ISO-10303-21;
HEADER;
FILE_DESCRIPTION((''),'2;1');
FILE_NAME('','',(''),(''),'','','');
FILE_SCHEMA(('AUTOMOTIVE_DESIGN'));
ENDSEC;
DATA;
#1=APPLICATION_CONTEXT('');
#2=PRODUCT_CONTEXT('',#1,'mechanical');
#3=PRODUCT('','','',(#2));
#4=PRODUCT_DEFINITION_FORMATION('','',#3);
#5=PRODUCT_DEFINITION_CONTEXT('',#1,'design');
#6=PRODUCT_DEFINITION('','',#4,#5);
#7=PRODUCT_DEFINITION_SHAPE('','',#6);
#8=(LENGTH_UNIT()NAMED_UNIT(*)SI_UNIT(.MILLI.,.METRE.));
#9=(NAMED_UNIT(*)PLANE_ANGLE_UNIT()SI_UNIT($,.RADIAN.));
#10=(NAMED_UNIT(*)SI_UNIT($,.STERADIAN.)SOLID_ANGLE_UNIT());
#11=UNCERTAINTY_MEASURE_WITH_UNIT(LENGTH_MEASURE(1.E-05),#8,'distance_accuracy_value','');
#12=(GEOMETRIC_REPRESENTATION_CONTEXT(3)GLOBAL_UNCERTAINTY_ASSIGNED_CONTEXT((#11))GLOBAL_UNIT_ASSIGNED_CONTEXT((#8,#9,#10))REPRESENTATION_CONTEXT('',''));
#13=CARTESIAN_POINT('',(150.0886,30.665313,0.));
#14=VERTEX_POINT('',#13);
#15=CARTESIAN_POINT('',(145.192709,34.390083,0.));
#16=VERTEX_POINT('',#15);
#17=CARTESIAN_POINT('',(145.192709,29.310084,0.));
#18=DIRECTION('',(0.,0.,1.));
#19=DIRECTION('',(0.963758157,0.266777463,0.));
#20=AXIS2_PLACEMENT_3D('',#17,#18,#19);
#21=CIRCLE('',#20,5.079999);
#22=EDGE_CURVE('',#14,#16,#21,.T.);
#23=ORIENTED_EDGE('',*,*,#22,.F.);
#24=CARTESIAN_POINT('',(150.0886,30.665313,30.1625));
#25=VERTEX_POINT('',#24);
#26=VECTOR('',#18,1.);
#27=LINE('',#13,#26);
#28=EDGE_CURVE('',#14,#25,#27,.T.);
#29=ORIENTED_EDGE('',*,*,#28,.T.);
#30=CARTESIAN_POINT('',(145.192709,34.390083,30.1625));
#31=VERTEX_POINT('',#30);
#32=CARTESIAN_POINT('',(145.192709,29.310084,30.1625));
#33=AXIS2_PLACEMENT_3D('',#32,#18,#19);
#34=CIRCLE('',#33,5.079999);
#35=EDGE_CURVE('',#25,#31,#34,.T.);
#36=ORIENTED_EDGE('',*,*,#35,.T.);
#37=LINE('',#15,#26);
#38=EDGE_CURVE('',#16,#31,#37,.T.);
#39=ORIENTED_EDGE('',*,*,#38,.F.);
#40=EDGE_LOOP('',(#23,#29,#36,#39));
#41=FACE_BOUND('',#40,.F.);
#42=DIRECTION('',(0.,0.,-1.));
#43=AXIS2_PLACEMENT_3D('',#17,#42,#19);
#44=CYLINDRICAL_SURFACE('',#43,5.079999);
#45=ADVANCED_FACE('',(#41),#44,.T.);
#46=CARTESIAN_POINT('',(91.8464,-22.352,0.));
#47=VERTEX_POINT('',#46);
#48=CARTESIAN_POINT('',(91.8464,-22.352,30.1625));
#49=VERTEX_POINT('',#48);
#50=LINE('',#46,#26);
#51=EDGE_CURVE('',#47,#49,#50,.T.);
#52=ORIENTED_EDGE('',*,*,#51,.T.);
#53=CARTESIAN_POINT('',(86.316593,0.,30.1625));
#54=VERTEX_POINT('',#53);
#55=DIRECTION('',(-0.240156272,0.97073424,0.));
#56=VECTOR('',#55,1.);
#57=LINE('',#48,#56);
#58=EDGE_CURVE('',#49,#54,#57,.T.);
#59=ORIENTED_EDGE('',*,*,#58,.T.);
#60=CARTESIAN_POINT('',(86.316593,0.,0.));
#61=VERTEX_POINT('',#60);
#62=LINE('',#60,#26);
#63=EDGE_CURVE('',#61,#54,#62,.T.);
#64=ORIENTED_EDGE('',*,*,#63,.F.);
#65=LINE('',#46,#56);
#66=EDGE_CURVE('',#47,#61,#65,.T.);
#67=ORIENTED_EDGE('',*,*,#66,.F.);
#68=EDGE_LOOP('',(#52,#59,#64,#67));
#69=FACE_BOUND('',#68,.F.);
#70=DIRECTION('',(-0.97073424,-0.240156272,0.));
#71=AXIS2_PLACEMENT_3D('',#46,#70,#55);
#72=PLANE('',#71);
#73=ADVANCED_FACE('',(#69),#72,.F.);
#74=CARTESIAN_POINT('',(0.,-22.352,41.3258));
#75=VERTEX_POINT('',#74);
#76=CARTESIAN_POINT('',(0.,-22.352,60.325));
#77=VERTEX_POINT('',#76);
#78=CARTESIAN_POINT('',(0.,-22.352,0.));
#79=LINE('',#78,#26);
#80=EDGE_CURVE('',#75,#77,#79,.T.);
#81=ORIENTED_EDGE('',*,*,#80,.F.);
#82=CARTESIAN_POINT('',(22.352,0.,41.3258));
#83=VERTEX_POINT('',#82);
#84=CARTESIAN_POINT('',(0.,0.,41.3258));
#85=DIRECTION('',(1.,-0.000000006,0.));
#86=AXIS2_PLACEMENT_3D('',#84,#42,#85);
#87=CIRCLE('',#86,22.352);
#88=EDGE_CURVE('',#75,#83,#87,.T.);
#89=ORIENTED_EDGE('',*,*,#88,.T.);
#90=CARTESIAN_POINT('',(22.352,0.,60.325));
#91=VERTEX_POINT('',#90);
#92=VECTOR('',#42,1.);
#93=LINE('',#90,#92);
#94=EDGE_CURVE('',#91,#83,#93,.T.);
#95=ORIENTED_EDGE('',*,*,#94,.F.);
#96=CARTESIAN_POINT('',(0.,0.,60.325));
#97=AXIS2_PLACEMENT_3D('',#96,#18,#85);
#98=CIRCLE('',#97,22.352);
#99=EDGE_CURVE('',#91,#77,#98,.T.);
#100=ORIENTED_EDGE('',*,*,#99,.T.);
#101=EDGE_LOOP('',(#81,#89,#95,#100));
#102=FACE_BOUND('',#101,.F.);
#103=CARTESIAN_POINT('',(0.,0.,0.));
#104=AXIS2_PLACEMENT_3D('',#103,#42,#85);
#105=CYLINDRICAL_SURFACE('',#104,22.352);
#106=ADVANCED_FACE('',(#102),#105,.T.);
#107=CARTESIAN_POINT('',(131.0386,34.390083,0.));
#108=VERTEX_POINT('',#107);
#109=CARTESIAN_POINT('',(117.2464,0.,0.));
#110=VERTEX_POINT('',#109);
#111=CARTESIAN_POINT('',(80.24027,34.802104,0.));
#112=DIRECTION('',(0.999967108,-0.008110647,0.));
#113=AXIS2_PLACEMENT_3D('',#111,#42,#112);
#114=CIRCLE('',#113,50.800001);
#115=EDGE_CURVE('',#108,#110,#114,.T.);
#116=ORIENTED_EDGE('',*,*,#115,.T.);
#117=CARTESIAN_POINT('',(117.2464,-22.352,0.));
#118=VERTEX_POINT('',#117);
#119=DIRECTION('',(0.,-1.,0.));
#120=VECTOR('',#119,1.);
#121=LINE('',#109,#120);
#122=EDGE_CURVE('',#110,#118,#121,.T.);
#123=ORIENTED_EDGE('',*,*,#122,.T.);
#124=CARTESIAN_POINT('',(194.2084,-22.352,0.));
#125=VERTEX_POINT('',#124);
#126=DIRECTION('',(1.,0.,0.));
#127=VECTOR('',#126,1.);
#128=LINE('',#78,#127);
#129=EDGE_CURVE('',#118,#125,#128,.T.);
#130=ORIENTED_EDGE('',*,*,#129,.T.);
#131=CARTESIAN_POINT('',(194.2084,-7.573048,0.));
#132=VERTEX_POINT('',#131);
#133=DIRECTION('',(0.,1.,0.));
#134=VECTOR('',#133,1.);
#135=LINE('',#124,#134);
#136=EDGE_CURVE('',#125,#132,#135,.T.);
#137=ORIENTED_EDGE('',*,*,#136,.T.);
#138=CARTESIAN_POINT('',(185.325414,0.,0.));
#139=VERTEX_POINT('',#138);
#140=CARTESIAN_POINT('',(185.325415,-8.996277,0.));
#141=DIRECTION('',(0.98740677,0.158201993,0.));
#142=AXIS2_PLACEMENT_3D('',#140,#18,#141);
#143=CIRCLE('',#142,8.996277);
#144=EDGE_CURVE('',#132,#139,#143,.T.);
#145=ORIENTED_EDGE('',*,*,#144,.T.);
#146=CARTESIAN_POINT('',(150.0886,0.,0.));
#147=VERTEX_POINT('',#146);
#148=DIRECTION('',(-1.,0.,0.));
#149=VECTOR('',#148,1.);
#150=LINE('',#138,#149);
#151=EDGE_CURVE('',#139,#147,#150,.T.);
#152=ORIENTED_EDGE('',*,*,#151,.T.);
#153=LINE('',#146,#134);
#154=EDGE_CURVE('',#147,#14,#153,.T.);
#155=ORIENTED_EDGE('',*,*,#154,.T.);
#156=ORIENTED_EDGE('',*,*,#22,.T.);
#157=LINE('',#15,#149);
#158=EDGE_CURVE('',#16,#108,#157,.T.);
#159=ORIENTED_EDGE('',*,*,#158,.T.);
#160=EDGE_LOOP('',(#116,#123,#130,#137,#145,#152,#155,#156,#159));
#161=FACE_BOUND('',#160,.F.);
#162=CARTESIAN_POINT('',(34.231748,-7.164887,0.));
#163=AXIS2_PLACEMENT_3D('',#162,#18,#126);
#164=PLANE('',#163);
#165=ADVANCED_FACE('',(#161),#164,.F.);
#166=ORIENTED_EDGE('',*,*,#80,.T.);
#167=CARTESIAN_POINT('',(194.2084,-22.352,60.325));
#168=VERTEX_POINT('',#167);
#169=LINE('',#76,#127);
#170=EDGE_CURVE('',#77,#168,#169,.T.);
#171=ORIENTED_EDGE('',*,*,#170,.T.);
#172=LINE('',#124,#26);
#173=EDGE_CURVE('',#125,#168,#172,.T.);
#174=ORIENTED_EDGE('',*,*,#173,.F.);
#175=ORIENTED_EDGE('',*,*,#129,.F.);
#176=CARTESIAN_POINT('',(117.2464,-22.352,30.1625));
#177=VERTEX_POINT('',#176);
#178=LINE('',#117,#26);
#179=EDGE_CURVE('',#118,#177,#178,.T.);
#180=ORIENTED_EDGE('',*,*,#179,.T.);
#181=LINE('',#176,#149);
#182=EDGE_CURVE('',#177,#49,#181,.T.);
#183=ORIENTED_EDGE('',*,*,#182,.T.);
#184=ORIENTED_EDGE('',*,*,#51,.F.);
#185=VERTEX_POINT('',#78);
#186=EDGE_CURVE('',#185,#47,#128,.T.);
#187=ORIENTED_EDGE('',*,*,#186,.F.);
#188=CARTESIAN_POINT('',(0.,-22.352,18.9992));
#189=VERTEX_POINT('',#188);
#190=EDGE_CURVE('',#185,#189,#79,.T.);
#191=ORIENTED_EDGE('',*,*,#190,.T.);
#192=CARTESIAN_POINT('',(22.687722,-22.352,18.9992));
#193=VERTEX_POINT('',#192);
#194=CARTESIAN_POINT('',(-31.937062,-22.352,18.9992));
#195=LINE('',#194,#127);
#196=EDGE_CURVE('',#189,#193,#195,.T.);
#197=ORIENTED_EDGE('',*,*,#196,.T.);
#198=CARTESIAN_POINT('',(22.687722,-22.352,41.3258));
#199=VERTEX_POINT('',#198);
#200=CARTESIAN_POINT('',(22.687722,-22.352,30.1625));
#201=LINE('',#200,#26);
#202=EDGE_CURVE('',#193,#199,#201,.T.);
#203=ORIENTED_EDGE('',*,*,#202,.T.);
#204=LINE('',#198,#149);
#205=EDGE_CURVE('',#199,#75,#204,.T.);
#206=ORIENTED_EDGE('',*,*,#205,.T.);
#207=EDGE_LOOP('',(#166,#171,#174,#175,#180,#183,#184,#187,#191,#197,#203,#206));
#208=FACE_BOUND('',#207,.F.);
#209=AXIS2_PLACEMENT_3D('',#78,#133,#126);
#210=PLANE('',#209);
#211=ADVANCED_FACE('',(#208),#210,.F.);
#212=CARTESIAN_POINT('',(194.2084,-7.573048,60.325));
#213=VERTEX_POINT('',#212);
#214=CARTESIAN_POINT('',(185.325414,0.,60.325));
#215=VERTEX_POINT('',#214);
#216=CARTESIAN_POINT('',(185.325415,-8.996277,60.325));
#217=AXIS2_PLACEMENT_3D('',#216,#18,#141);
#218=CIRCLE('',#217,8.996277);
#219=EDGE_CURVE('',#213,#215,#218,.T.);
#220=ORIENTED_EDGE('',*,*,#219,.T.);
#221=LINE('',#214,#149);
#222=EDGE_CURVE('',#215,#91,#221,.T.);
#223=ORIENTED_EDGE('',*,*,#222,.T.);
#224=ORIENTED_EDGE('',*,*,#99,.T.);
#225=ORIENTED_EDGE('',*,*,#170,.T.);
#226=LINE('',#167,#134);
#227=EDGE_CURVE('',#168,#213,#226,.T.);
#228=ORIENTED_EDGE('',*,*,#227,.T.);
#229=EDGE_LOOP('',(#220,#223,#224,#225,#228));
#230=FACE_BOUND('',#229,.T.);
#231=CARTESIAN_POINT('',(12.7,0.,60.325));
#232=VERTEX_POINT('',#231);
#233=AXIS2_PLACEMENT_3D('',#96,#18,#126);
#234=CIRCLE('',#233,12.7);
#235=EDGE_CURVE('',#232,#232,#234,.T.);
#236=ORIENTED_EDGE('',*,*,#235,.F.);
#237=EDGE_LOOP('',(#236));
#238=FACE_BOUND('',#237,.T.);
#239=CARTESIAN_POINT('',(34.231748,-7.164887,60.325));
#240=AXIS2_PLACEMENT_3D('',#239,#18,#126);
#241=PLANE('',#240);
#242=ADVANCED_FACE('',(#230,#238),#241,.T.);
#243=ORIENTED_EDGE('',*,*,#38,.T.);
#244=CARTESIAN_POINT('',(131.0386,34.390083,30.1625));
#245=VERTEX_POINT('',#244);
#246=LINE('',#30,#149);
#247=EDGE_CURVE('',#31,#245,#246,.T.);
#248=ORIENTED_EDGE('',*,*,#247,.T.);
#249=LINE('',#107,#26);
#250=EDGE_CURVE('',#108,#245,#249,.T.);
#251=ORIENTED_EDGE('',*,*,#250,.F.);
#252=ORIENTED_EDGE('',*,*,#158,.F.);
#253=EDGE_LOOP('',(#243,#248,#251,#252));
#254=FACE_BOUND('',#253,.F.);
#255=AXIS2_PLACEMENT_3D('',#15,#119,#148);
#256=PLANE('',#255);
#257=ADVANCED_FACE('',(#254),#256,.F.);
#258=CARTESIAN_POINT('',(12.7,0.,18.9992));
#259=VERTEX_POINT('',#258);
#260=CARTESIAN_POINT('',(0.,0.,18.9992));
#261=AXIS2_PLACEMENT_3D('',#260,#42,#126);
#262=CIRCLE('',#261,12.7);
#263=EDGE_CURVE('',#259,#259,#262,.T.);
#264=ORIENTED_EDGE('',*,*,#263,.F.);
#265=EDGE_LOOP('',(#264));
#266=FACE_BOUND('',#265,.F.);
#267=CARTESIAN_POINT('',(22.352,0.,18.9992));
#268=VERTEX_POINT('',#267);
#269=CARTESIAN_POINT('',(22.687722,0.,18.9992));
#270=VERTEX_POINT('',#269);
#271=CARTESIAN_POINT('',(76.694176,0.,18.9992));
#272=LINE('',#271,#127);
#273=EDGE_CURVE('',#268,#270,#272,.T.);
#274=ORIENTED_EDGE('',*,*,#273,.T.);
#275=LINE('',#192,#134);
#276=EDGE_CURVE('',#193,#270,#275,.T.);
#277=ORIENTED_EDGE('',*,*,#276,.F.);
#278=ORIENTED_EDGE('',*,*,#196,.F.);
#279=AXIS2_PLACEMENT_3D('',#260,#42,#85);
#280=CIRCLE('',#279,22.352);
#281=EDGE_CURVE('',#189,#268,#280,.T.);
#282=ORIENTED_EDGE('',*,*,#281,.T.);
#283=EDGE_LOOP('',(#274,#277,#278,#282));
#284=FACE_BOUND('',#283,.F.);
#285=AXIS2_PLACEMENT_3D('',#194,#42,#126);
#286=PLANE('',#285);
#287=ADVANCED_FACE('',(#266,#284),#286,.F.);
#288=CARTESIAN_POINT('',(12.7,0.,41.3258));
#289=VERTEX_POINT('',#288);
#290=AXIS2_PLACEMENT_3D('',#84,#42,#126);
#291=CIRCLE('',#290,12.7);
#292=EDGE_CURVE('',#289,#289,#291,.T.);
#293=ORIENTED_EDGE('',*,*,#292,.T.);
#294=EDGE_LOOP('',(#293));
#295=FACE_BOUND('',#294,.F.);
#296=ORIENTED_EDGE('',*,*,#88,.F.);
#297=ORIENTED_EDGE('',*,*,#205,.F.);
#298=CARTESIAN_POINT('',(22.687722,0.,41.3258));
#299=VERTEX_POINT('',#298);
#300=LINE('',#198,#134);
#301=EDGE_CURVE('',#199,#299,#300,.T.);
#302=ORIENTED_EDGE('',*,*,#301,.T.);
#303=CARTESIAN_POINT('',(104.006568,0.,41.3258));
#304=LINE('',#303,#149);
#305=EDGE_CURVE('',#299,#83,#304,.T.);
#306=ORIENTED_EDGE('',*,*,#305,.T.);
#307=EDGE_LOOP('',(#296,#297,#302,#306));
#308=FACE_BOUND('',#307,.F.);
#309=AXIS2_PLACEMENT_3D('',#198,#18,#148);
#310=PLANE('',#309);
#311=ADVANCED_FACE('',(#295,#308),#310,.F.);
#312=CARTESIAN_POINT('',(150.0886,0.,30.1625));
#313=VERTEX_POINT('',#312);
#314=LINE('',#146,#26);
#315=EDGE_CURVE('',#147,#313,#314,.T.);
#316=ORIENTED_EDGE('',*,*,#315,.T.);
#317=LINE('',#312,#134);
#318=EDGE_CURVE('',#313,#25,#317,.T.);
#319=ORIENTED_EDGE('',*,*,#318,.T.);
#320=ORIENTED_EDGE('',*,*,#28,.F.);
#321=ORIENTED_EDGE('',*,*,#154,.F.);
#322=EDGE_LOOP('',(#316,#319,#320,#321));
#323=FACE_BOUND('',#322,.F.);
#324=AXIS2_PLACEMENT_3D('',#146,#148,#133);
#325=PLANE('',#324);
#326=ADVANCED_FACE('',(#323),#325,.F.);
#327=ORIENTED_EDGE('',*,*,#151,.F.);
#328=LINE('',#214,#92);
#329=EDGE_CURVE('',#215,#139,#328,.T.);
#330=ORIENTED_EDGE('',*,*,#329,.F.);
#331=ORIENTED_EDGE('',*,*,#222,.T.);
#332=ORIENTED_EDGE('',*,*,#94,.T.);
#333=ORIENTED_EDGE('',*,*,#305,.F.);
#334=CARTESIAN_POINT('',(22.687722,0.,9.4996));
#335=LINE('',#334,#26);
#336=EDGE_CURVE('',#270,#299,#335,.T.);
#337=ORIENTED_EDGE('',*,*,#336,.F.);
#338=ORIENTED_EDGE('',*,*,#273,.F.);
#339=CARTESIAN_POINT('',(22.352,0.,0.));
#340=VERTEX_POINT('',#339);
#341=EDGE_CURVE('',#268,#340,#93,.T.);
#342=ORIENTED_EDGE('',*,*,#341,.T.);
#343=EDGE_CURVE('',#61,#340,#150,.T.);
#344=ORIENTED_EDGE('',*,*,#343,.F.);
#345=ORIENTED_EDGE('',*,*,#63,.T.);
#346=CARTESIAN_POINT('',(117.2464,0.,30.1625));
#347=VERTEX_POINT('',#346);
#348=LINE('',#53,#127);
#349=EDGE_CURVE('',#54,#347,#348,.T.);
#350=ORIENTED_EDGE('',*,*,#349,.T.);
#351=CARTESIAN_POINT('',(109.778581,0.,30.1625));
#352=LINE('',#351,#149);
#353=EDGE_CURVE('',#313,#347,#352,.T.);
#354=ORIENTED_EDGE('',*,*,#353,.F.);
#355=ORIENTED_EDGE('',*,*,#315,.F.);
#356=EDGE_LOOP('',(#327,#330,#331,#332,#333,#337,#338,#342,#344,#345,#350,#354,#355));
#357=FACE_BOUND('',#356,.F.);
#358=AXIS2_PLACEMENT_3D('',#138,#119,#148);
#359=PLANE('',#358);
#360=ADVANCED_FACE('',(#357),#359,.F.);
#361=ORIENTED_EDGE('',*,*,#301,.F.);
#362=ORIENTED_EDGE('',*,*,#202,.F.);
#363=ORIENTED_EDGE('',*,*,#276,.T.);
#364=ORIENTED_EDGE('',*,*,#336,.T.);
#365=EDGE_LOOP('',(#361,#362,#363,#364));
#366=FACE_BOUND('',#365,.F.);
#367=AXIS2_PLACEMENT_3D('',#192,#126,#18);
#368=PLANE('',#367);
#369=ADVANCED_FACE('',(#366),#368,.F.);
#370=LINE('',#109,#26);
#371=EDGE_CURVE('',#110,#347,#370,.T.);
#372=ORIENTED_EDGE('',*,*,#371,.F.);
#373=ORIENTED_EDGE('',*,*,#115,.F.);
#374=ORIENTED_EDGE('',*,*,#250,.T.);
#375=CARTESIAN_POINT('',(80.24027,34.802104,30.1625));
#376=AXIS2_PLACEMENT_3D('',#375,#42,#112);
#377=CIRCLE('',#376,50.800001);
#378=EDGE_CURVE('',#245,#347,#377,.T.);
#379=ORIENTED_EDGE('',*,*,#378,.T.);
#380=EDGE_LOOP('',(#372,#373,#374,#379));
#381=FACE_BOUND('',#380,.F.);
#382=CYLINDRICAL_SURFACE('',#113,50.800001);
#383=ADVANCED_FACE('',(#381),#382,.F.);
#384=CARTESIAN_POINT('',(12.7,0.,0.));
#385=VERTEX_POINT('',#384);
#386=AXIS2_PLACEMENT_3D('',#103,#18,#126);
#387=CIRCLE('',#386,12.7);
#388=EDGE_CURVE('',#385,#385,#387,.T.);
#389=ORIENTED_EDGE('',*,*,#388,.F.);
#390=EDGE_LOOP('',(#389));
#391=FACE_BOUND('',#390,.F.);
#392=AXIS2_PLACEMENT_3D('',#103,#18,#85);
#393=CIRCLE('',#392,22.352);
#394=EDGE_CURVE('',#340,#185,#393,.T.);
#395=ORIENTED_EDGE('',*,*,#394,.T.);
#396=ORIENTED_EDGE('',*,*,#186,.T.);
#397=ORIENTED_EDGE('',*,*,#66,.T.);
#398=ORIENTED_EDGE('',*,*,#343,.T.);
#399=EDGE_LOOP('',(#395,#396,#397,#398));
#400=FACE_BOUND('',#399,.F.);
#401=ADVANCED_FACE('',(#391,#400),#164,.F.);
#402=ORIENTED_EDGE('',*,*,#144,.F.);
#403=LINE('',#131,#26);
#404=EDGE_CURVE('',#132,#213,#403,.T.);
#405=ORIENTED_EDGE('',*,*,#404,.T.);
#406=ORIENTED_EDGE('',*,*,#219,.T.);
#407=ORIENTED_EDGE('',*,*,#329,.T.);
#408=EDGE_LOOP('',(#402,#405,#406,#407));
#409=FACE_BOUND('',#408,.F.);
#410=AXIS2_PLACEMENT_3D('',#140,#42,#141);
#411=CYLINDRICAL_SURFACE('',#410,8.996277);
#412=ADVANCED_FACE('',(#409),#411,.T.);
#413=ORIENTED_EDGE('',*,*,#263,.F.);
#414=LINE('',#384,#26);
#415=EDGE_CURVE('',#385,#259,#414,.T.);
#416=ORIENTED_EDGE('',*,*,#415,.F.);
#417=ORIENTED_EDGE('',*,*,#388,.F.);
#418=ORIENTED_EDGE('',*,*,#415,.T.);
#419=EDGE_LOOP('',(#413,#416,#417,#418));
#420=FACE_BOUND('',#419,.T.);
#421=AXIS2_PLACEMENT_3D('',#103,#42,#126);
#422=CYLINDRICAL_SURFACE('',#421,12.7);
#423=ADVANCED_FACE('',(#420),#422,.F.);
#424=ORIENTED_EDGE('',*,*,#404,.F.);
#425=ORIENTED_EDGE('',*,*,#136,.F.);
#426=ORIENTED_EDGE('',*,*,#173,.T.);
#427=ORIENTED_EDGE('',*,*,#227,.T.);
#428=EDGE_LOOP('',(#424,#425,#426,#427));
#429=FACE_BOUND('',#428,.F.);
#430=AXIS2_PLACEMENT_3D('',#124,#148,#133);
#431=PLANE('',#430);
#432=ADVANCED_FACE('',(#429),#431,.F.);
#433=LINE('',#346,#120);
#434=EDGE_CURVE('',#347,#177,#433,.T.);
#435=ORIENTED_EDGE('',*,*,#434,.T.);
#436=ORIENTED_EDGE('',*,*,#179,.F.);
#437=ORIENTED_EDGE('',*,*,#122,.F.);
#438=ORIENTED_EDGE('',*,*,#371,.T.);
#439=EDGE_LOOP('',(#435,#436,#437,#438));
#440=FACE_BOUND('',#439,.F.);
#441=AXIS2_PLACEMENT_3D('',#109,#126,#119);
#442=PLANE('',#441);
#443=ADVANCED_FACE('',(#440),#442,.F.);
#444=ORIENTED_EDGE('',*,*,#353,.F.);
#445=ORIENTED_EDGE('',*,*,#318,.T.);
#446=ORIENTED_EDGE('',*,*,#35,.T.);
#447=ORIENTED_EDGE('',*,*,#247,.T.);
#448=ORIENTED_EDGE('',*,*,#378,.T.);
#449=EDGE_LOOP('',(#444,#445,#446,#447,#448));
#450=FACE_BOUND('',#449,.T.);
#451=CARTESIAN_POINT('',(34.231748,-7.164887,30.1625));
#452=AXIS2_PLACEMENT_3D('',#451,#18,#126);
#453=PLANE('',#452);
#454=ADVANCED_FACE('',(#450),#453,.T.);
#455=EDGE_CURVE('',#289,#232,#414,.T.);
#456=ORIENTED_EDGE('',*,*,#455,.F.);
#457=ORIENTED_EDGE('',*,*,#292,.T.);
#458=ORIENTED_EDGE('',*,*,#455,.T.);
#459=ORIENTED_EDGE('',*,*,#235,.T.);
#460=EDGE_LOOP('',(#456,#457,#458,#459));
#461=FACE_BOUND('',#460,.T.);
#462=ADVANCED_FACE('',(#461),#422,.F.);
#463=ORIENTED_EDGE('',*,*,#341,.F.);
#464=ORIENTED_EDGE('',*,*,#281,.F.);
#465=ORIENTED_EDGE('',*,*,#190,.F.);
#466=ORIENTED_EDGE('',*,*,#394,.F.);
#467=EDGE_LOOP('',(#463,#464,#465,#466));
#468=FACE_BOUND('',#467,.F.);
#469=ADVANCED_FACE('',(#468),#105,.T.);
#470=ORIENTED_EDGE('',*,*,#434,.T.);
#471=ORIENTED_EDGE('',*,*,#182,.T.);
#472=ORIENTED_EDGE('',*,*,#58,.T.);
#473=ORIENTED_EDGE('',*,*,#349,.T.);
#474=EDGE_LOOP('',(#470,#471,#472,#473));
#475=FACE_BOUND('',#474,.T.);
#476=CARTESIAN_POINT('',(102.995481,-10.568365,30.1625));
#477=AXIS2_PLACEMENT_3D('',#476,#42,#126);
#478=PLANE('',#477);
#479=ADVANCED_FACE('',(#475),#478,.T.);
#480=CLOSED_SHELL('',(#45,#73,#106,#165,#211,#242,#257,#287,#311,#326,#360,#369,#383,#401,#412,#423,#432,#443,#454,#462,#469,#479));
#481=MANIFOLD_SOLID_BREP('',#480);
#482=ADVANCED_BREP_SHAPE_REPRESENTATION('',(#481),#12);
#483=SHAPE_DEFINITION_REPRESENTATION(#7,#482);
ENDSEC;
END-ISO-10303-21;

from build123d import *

# Parameters (mm, degrees)
F0_R     = 12.7
F1_DEPTH = 60.325
F2_DEPTH = 30.1625
F3_W     = 31.937063
F3_H     = 22.3266
F3_W_2   = 22.687722
F4_DEPTH = 56.743083
F6_DEPTH = 30.1625


with BuildPart() as f1:
    # F0 (on Top) → F1 (new body)
    with BuildSketch(Plane.XY):
        with BuildLine():
            Line((85.852, 0), (22.352, 0))
            ThreePointArc((22.352, 0), (-15.805251, 15.805251), (0, -22.352))
            Line((0, -22.352), (91.8464, -22.352))
            Line((91.8464, -22.352), (85.852, 0))
        make_face()
        Circle(F0_R, mode=Mode.SUBTRACT)
        Polygon((117.2464, 0), (85.852, 0), (91.8464, -22.352), (117.2464, -22.352), align=None)
        with BuildLine():
            Line((150.0886, 0), (117.2464, 0))
            Line((117.2464, 0), (117.2464, -22.352))
            Line((117.2464, -22.352), (194.2084, -22.352))
            Line((194.2084, -22.352), (194.2084, -7.573048))
            ThreePointArc((194.2084, -7.573048), (191.161905, -2.150228), (185.325414, 0))
            Line((185.325414, 0), (162.975117, 0))
            Line((162.975117, 0), (150.0886, 0))
        make_face()
    extrude(amount=F1_DEPTH)

    # F0 (on Top) → F2 (join)
    with BuildSketch(Plane.XY):
        with BuildLine():
            Line((85.852, 0), (22.352, 0))
            ThreePointArc((22.352, 0), (-15.805251, 15.805251), (0, -22.352))
            Line((0, -22.352), (91.8464, -22.352))
            Line((91.8464, -22.352), (85.852, 0))
        make_face()
        Circle(F0_R, mode=Mode.SUBTRACT)
        Polygon((117.2464, 0), (85.852, 0), (91.8464, -22.352), (117.2464, -22.352), align=None)
        with BuildLine():
            Line((150.0886, 0), (117.2464, 0))
            Line((117.2464, 0), (117.2464, -22.352))
            Line((117.2464, -22.352), (194.2084, -22.352))
            Line((194.2084, -22.352), (194.2084, -7.573048))
            ThreePointArc((194.2084, -7.573048), (191.161905, -2.150228), (185.325414, 0))
            Line((185.325414, 0), (162.975117, 0))
            Line((162.975117, 0), (150.0886, 0))
        make_face()
        with BuildLine():
            ThreePointArc((131.0386, 34.390083), (127.389769, 15.892719), (117.2464, 0))
            Line((117.2464, 0), (150.0886, 0))
            Line((150.0886, 0), (150.0886, 30.665313))
            ThreePointArc((150.0886, 30.665313), (148.268569, 33.353038), (145.192709, 34.390083))
            Line((145.192709, 34.390083), (131.0386, 34.390083))
        make_face()
    extrude(amount=F2_DEPTH)

    # F3 (on face) → F4 (cut, through all)
    with BuildSketch(Plane.XZ.offset(22.352)):
        with Locations((-15.968531, 30.1625)):
            Rectangle(F3_W, F3_H)
        with Locations((11.343861, 30.1625)):
            Rectangle(F3_W_2, F3_H)
    extrude(amount=-F4_DEPTH, mode=Mode.SUBTRACT)

    # F5 (on face) → F6 (cut)
    with BuildSketch(Plane(origin=(0, 0, 0), x_dir=(1, 0, 0), z_dir=(0, 0, -1))):
        Polygon((86.316593, 0), (117.2464, 0), (117.2464, 22.352), (91.8464, 22.352), align=None)
    extrude(amount=-F6_DEPTH, mode=Mode.SUBTRACT)


solid = f1.part
